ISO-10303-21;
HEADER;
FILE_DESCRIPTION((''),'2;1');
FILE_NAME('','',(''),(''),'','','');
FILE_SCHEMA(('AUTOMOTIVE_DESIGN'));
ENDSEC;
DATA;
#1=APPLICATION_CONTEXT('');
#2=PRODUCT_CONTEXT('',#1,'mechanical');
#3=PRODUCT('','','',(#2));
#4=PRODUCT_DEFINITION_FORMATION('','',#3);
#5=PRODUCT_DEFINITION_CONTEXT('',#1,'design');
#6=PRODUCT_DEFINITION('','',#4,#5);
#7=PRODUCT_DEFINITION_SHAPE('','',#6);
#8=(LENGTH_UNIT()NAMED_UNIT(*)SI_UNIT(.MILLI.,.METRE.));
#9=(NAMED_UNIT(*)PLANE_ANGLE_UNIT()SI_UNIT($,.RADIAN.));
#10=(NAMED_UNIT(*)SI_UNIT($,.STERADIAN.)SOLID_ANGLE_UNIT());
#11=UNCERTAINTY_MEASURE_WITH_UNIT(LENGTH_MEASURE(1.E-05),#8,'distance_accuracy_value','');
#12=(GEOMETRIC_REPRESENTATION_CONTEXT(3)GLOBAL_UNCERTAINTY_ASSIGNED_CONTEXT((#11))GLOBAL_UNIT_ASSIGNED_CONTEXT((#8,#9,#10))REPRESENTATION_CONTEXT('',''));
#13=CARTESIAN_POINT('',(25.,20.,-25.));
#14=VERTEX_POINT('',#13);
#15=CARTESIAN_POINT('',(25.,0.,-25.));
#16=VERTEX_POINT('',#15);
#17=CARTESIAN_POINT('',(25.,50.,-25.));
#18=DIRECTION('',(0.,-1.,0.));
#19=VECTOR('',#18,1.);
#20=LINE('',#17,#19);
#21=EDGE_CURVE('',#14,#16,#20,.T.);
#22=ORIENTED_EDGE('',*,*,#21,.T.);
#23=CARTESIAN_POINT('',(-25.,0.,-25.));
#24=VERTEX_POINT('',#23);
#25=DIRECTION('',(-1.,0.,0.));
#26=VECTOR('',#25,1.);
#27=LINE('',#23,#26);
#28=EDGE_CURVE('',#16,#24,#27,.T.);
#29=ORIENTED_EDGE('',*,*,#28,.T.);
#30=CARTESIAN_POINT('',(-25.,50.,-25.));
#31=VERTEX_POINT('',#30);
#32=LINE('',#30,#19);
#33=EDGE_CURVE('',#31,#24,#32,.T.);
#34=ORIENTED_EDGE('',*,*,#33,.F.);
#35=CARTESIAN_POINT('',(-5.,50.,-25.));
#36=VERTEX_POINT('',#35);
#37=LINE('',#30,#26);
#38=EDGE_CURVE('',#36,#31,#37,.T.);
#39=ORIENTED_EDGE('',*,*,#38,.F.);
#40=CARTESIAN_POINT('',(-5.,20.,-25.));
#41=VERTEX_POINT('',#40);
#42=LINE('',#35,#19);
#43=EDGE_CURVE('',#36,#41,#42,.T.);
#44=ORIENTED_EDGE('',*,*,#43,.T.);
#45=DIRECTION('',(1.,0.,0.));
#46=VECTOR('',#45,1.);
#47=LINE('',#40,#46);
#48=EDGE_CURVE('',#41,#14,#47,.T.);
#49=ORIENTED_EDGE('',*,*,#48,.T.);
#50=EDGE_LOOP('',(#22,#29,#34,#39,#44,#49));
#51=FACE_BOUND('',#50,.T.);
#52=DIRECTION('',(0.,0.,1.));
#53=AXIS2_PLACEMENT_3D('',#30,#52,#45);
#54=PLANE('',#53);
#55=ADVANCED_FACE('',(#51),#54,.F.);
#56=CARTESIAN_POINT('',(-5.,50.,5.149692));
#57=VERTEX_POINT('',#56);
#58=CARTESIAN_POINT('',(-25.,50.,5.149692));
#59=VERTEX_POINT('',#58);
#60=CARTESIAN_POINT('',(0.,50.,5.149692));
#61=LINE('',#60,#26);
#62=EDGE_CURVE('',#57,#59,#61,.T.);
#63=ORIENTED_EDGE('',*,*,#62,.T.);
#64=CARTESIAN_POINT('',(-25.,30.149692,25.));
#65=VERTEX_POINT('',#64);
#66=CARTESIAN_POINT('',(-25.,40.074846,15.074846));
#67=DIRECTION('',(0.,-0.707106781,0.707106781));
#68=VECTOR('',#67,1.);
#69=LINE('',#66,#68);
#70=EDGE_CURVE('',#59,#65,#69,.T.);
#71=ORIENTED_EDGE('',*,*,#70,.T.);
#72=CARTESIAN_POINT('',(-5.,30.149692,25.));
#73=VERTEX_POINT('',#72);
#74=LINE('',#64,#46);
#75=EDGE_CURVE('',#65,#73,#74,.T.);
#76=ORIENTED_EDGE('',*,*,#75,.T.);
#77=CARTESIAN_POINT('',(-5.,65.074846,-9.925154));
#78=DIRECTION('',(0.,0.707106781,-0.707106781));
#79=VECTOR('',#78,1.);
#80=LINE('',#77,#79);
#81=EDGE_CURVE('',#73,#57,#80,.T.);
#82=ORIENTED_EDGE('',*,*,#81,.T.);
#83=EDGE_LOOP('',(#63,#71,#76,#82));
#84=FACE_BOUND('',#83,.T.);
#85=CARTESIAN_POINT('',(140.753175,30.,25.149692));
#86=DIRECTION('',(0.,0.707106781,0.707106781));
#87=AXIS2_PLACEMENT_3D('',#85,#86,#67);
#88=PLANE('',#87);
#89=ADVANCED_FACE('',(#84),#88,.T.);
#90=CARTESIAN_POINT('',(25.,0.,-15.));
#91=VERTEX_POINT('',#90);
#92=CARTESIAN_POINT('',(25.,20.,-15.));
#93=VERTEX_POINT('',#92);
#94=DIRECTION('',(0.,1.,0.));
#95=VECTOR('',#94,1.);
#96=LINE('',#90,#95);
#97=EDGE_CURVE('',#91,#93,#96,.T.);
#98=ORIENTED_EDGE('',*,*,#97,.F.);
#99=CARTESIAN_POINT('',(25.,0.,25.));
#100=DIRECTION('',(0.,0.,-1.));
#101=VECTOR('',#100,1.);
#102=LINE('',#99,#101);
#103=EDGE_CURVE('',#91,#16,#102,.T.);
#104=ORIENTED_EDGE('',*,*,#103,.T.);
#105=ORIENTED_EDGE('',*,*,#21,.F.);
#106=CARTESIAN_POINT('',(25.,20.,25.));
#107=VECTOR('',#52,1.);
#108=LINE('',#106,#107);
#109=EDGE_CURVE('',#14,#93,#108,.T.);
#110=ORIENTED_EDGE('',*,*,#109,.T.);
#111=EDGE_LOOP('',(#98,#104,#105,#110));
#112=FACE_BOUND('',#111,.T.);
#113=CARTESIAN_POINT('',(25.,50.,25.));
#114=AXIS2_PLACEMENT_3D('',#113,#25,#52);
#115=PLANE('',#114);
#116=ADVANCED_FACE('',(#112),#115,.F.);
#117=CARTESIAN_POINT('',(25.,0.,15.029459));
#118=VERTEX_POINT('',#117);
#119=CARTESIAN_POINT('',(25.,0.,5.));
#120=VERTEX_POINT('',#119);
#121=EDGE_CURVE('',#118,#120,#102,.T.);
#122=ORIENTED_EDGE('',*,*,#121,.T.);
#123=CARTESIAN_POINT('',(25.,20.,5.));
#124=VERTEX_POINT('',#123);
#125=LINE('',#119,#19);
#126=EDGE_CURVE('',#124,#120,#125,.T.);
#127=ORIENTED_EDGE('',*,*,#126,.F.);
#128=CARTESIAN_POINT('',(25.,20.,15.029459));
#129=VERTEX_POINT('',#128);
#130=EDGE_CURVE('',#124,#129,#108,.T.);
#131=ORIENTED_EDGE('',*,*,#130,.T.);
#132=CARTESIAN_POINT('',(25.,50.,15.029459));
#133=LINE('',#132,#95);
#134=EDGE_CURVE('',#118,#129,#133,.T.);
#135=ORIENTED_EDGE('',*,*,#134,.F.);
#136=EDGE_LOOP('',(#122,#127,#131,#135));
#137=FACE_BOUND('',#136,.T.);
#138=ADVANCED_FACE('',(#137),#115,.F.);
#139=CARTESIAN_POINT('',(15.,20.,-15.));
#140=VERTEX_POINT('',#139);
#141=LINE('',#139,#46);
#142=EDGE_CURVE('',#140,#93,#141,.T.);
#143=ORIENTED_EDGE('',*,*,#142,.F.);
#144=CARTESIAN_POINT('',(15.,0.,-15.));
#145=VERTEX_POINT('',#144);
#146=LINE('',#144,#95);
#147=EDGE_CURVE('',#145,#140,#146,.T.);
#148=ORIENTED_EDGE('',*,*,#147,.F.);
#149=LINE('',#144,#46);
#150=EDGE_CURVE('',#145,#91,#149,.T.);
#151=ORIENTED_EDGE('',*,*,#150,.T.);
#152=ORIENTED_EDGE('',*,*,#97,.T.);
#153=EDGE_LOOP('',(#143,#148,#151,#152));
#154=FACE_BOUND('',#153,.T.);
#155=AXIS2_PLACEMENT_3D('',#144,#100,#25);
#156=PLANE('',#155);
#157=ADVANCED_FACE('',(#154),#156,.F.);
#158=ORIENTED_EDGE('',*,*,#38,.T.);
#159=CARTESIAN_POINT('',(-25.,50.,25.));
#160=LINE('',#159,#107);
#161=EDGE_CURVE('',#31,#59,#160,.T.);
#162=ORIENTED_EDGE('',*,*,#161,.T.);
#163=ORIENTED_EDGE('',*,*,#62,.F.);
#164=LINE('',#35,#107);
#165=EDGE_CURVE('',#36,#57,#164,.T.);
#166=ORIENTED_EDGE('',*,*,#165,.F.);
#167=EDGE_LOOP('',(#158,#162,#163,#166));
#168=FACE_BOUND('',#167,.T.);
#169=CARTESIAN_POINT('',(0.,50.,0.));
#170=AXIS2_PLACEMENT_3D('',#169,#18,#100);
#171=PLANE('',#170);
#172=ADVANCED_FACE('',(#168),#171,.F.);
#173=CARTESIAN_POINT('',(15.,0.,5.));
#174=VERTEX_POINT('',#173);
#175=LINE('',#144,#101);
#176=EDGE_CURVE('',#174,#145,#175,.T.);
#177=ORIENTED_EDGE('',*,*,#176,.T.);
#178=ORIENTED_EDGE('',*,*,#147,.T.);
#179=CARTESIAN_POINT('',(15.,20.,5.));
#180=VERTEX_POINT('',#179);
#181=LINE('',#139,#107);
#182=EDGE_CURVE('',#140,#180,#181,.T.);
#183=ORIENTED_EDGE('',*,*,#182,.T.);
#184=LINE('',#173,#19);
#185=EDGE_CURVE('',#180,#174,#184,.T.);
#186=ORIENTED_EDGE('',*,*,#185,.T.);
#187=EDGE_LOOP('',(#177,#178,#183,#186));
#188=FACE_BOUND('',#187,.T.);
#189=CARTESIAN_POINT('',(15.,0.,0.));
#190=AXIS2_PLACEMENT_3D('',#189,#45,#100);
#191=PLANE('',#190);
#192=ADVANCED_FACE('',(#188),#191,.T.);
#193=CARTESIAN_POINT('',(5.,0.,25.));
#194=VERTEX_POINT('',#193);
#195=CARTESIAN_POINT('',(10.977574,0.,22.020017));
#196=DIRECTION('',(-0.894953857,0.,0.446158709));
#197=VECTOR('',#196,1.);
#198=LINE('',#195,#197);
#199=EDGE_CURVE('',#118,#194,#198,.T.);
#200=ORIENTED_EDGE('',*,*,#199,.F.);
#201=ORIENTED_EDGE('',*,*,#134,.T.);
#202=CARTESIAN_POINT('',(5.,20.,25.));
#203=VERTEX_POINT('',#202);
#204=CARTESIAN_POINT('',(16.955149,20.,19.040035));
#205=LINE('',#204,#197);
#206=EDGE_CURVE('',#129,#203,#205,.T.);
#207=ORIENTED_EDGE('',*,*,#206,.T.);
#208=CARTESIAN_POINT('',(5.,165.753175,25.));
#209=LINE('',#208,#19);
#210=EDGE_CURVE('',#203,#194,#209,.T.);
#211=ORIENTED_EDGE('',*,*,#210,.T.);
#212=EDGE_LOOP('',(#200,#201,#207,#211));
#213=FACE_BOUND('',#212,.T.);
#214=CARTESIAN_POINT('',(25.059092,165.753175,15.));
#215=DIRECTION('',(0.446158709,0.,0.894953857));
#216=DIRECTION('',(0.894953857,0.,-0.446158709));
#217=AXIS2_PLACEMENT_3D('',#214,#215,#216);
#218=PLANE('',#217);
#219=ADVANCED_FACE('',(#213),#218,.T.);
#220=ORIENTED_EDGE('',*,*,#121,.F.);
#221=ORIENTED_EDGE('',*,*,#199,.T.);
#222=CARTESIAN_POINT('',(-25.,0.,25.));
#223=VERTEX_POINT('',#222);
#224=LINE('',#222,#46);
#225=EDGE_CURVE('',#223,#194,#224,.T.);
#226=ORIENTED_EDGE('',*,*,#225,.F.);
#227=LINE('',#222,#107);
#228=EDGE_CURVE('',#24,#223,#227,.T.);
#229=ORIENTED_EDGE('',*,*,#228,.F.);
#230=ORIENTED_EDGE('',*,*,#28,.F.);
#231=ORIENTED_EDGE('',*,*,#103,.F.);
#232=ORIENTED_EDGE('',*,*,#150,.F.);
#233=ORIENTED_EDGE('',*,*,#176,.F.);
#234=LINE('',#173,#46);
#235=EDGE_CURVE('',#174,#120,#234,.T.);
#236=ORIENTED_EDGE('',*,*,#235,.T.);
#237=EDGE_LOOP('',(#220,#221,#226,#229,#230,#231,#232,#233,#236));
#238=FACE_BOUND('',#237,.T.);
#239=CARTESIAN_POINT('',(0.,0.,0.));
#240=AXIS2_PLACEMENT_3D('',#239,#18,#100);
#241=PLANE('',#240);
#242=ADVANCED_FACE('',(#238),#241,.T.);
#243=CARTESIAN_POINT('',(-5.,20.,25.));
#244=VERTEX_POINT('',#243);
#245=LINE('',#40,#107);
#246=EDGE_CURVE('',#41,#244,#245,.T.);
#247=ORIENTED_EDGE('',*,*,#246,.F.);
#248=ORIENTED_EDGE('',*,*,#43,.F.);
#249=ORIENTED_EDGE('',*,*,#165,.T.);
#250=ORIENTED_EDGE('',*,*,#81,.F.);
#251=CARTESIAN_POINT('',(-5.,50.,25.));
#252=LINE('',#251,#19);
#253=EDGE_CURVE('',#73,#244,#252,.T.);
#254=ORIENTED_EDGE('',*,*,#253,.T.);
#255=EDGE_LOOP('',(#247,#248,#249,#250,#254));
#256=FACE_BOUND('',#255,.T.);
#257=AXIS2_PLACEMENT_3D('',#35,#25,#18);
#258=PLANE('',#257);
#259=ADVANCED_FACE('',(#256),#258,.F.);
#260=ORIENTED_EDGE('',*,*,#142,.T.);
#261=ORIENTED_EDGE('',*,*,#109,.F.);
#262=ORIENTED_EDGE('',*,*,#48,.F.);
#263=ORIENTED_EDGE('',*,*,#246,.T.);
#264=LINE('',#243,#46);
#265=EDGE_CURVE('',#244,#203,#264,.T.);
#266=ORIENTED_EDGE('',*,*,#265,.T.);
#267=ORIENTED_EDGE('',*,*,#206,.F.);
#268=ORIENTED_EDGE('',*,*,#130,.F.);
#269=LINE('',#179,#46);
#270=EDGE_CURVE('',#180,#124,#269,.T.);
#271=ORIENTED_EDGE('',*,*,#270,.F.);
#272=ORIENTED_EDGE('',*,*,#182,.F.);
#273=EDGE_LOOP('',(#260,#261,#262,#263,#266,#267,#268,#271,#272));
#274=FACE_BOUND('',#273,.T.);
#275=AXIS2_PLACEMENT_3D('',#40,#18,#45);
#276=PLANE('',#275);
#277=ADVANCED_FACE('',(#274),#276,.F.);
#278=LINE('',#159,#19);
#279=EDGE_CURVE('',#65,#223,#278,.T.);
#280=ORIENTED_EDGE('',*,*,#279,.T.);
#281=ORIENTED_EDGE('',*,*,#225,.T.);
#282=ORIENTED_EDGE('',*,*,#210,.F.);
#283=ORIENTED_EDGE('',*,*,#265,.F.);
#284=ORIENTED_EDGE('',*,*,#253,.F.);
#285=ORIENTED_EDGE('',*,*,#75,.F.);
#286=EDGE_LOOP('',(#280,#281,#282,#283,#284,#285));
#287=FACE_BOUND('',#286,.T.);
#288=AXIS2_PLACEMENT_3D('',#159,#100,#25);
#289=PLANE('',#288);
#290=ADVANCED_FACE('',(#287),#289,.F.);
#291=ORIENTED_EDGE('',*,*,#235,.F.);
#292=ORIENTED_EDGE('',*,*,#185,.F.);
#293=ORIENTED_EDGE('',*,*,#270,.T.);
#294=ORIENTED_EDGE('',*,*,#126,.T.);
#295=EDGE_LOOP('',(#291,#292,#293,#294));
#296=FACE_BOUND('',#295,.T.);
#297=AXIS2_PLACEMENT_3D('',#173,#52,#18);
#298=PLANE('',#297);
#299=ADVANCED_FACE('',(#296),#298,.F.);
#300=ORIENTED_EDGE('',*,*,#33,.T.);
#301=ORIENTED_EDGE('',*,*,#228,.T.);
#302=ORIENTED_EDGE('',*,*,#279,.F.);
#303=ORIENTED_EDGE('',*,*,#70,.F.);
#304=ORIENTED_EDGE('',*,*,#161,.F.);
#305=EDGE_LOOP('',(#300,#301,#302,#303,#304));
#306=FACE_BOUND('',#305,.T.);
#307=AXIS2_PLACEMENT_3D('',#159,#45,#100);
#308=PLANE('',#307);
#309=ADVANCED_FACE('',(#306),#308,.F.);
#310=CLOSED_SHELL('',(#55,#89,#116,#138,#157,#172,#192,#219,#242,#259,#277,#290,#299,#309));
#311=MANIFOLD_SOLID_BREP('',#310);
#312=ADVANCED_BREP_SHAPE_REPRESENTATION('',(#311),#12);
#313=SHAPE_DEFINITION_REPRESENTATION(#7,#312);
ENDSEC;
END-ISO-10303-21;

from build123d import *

# Parameters (mm, degrees)
SKETCH1_W               = 50
SKETCH1_H               = 50
BOSS_EXTRUDE1_DEPTH     = 50
CUT_EXTRUDE2_DEPTH      = 76
SKETCH4_W               = 20
SKETCH4_H               = 20
CUT_EXTRUDE3_DEPTH      = 10
CUT_EXTRUDE4_DEPTH      = 64.442887702
CUT_EXTRUDE4_DEPTH_BACK = 64.442887702
CUT_EXTRUDE5_DEPTH      = 47.368092477
CUT_EXTRUDE5_DEPTH_BACK = 47.368092477


with BuildPart() as part:
    # Sketch1 → Boss-Extrude1 (new body)
    with BuildSketch(Plane(origin=(0, 0, 0), x_dir=(1, 0, 0), z_dir=(0, 1, 0))):
        Rectangle(SKETCH1_W, SKETCH1_H)
    extrude(amount=BOSS_EXTRUDE1_DEPTH)

    # Sketch3 → Cut-Extrude2 (cut, through all)
    with BuildSketch(Plane.XY.offset(25)):
        Polygon((-5, 50), (-5, 20), (25.055791763, 20), (25, 50), align=None)
    extrude(amount=-CUT_EXTRUDE2_DEPTH, mode=Mode.SUBTRACT)

    # Sketch4 → Cut-Extrude3 (cut)
    with BuildSketch(Plane(origin=(25, 0, 0), x_dir=(0, 0, -1), z_dir=(1, 0, 0))):
        with Locations((5, 10)):
            Rectangle(SKETCH4_W, SKETCH4_H)
    extrude(amount=-CUT_EXTRUDE3_DEPTH, mode=Mode.SUBTRACT)

    # Sketch8 → Cut-Extrude4 (cut, two sides: drawn at the far end of the back side and taken through both)
    with BuildSketch(Plane(origin=(-5, 0, 0), x_dir=(0, 0, -1), z_dir=(1, 0, 0)).offset(-CUT_EXTRUDE4_DEPTH_BACK)):
        Polygon((-114.864472803, -59.71478058), (-25.149692223, 30), (-5, 50.149692223), (84.71478058, 139.864472803), (-94.71478058, 319.294033964), (-294.294033964, 119.71478058), align=None)
    extrude(amount=CUT_EXTRUDE4_DEPTH + CUT_EXTRUDE4_DEPTH_BACK, mode=Mode.SUBTRACT)

    # Sketch9 → Cut-Extrude5 (cut, two sides: drawn at the far end of the back side and taken through both)
    with BuildSketch(Plane(origin=(0, 20, 0), x_dir=(1, 0, 0), z_dir=(0, 1, 0)).offset(-CUT_EXTRUDE5_DEPTH_BACK)):
        Polygon((148.701256003, 46.638963739), (25.059091939, -15), (5, -25), (-118.642164064, -86.638963739), (4.635763413, -333.923291867), (271.97918348, -200.64536439), align=None)
    extrude(amount=CUT_EXTRUDE5_DEPTH + CUT_EXTRUDE5_DEPTH_BACK, mode=Mode.SUBTRACT)


solid = part.part
